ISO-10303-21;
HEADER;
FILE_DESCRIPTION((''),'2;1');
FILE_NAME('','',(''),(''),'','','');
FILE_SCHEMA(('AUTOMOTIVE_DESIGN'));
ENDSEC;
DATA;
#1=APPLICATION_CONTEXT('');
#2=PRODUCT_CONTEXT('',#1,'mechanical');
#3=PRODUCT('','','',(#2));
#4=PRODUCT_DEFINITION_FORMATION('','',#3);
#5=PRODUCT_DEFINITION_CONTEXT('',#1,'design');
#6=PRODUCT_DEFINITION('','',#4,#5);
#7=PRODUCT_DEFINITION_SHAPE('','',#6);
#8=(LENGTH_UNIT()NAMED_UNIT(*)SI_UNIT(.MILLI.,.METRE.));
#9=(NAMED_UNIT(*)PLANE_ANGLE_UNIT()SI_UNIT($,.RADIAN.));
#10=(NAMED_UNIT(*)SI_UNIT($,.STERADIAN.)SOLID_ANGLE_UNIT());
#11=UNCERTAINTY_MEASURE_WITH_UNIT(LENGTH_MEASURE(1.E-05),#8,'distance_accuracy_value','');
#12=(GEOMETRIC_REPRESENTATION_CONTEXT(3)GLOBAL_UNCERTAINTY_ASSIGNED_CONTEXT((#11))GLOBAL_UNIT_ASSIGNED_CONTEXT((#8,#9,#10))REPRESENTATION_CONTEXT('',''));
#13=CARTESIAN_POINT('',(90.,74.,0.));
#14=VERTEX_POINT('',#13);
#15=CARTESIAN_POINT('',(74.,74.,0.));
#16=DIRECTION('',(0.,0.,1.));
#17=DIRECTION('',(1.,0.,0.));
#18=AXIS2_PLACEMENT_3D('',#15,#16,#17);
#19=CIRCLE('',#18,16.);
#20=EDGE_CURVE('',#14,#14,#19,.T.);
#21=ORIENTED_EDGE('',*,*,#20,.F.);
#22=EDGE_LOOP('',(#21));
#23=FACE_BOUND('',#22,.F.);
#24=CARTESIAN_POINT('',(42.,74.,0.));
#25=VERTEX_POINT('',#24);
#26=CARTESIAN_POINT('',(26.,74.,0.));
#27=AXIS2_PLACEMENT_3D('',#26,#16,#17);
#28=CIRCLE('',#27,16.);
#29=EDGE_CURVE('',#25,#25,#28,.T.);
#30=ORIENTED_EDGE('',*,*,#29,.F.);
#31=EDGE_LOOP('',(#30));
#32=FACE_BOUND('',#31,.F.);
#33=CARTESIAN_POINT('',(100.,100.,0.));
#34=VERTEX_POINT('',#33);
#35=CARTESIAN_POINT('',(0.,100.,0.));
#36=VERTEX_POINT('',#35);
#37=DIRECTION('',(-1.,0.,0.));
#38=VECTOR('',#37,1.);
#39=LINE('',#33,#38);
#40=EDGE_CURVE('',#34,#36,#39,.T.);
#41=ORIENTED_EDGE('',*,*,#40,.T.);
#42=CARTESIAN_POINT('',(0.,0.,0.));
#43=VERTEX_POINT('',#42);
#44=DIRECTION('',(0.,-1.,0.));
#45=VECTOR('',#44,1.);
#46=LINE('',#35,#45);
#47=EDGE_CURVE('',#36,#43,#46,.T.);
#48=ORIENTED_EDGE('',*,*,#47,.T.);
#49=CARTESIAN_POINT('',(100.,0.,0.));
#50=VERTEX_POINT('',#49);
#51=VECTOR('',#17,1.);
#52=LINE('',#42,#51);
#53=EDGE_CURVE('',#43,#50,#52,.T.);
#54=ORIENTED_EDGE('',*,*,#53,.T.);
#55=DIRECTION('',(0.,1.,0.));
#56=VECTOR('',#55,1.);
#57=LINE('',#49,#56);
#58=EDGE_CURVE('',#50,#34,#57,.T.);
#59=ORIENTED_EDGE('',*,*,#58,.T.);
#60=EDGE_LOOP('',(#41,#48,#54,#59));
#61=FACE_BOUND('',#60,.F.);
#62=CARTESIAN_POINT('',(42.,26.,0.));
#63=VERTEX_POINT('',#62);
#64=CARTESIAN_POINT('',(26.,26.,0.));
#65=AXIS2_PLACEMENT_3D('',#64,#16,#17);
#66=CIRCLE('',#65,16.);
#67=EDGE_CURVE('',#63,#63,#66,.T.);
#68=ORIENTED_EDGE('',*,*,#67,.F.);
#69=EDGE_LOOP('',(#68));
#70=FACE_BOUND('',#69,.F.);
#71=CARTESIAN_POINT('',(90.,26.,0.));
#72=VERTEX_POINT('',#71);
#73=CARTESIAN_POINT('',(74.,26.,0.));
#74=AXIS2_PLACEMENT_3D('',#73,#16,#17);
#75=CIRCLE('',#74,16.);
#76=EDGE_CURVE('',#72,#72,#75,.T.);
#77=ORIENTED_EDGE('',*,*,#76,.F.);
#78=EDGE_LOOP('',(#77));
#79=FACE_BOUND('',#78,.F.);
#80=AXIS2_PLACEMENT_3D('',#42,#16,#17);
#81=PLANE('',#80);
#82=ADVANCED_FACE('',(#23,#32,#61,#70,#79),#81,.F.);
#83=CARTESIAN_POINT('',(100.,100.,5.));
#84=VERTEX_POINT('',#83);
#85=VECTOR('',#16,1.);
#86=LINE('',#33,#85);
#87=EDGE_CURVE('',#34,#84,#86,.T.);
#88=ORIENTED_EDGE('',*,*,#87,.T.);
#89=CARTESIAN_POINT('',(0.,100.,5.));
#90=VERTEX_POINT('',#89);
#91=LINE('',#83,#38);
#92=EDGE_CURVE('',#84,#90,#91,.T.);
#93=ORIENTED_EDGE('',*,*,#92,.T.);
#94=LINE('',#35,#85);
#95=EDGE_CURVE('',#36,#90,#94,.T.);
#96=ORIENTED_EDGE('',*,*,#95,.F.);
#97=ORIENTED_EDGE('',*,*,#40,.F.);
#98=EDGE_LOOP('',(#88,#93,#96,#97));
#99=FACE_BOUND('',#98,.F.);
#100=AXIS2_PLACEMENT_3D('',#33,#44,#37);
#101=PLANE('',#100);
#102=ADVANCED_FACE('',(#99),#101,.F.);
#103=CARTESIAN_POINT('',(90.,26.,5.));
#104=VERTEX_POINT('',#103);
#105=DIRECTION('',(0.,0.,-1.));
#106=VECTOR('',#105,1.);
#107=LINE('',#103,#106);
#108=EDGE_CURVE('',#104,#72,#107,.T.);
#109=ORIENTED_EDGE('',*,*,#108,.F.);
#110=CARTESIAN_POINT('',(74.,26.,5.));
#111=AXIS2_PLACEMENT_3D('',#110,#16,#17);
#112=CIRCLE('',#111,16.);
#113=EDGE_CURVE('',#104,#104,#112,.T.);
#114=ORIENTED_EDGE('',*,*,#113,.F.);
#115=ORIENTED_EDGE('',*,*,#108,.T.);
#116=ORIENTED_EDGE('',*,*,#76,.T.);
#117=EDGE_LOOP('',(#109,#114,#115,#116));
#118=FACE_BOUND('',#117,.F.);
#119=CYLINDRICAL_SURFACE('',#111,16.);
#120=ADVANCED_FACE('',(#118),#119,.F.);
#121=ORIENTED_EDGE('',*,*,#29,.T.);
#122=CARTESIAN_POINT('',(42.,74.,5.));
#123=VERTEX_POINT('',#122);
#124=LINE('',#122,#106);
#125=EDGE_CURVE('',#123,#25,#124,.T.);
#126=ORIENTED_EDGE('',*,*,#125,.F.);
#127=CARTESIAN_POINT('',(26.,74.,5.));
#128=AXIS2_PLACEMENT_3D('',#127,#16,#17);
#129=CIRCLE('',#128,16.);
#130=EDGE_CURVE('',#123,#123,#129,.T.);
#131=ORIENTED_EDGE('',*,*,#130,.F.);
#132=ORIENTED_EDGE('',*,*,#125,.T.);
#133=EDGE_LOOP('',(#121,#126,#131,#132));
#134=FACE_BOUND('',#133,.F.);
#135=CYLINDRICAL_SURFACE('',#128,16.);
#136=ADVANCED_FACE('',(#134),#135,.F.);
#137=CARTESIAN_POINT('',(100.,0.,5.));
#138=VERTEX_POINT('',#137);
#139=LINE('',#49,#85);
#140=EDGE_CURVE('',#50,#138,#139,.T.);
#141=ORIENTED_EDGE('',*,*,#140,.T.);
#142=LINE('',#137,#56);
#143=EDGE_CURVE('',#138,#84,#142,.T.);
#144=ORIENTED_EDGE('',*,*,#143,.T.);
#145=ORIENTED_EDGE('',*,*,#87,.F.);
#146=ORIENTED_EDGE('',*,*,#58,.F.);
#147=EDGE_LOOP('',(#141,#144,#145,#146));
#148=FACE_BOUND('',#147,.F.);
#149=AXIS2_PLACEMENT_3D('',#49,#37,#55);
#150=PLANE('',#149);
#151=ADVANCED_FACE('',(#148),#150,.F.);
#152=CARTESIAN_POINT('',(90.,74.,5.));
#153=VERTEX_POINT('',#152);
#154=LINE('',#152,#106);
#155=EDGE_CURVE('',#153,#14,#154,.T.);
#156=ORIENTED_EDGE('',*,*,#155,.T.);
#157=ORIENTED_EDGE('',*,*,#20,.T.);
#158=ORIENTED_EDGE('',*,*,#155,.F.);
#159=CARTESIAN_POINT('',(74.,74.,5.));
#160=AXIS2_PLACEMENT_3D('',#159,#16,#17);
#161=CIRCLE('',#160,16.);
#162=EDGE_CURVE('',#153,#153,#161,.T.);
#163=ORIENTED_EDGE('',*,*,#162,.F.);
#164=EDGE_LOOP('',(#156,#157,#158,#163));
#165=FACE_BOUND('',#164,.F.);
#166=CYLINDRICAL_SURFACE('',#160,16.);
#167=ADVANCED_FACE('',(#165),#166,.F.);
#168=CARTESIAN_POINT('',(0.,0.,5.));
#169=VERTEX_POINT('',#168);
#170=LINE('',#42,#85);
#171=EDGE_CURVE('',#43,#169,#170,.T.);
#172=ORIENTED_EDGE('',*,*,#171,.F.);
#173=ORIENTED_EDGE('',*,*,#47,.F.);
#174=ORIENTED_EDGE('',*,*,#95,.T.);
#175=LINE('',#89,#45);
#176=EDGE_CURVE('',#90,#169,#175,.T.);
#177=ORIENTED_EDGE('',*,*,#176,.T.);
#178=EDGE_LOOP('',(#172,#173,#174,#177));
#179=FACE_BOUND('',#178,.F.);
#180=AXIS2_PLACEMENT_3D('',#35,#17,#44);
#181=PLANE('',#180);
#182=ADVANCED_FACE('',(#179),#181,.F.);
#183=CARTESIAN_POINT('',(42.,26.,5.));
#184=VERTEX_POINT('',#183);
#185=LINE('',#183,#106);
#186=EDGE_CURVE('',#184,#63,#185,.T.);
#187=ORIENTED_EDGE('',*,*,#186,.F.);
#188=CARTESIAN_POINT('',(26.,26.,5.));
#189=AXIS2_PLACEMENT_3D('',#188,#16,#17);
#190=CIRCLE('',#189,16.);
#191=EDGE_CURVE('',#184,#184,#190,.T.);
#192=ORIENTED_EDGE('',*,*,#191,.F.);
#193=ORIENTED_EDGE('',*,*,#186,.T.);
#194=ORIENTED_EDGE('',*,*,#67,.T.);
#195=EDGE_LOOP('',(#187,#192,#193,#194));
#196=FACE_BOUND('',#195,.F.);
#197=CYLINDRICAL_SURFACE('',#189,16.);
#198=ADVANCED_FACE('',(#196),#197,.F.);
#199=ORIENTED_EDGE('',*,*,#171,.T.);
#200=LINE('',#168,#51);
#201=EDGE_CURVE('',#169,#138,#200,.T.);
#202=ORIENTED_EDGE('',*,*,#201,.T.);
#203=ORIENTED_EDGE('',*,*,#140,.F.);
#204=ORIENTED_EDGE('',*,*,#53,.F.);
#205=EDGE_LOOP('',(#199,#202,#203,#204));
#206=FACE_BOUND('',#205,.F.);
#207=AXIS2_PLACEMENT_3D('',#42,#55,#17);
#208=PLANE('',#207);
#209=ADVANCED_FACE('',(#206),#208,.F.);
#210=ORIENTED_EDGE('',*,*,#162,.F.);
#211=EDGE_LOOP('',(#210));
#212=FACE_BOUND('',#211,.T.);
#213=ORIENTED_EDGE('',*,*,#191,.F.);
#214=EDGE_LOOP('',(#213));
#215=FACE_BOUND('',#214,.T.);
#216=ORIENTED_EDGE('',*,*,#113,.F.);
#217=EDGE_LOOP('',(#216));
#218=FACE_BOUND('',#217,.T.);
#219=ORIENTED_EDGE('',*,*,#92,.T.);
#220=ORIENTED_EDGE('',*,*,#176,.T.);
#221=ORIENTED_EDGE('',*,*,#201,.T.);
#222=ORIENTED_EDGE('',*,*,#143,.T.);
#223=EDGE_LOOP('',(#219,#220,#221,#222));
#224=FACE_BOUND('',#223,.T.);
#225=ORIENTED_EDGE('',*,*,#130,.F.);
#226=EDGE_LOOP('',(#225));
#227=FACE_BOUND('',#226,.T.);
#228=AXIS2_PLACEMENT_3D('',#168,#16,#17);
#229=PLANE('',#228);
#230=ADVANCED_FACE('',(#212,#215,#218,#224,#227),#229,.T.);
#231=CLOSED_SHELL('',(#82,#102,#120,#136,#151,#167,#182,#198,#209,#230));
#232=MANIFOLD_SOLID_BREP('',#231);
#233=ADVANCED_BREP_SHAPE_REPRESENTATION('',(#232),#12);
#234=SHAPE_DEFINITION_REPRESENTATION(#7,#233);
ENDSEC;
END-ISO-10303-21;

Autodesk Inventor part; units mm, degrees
ref_plane "YZ Plane" through (0, 0, 0) normal (1, 0, 0) x (0, 1, 0)
ref_plane "XZ Plane" through (0, 0, 0) normal (0, 1, 0) x (-1, 0, 0)
ref_plane "XY Plane" through (0, 0, 0) normal (0, 0, 1) x (1, 0, 0)
sketch "Sketch1" plane through (0, 0, 0) normal (0, 0, 1) x (1, 0, 0)
  line L0 (0, 0) -> (100, 0)
  line L1 (100, 0) -> (100, 100)
  line L2 (100, 100) -> (0, 100)
  line L3 (0, 100) -> (0, 0)
  dimension "d0" = 100
  dimension "d1" = 100
extrude "Extrusion1" add sketch "Sketch1" along normal blind 5
sketch "Sketch2" plane through (0, 0, 5) normal (0, 0, 1) x (1, 0, 0)
  line L0 (100, 100) -> (0, 100) construction
  line L1 (0, 0) -> (100, 0) construction
  line L2 (100, 0) -> (100, 100) construction
  line L3 (0, 100) -> (0, 0) construction
  circle A0 centre (26, 74) radius 16
  circle A1 centre (74, 26) radius 16
  circle A2 centre (74, 74) radius 16
  circle A3 centre (26, 26) radius 16
  dimension "d4" = 32
  dimension "d5" = 32
  dimension "d6" = 32
  dimension "d7" = 32
  dimension "d15" = 26
  dimension "d16" = 26
  dimension "d17" = 26
  dimension "d18" = 26
  dimension "d19" = 26
  dimension "d20" = 26
  dimension "d21" = 26
  dimension "d22" = 26
  dimension "d23" = 48
  dimension "d24" = 48
  dimension "d25" = 48
  dimension "d26" = 48
extrude "Extrusion3" cut sketch "Sketch2" against normal blind 5
equation "\"d0\" = tankw"
equation "\"d1\" = sensorsupportl"
equation "\"d2\" = pvct"
equation "\"d4\" = diahcl"
equation "\"d5\" = diaph"
equation "\"d6\" = diacucl"
equation "\"d7\" = diaetape"
equation "\"d15\" = 0.5 * diahcl + 2 * pvct"
equation "\"d16\" = 0.5 * diahcl + 2 * pvct"
equation "\"d17\" = 0.5 * diacucl + 2 * pvct"
equation "\"d18\" = 0.5 * diacucl + 2 * pvct"
equation "\"d19\" = 0.5 * diaph + 2 * pvct"
equation "\"d20\" = 0.5 * diaph + 2 * pvct"
equation "\"d21\" = 0.5 * diaetape + 2 * pvct"
equation "\"d22\" = 0.5 * diaetape + 2 * pvct"
equation "\"d29\" = pvct"
equation "\"lcsd\" = 19.05"
equation "\"lcwd1\" = 25"
equation "\"lcwd2\" = 34"
equation "\"lch1\" = 39"
equation "\"lcwd3\" = 43"
equation "\"dia1\" = 6"
equation "\"td\" = 18"
equation "\"bhh\" = 6"
equation "\"sw\" = 25"
equation "\"sh\" = 31"
equation "\"spacert\" = 2"
equation "\"pvct\" = 5"
equation "\"tankw\" = 100"
equation "\"tankl\" = 379"
equation "\"dia3\" = 8"
equation "\"dia4\" = 11"
equation "\"play\" = 9"
equation "\"holeh\" = 26"
equation "\"surroundt\" = 5"
equation "\"slack\" = 0.5"
equation "\"play2\" = 3"
equation "\"diaoverflow\" = 25"
equation "\"diacucl\" = 32"
equation "\"diawater\" = 25"
equation "\"diaph\" = 32"
equation "\"diaair\" = 32"
equation "\"diasurroundhole\" = 42"
equation "\"sensorsupportl\" = 100"
equation "\"diagrate\" = 12"
equation "\"gratespacing\" = 12.02082"
equation "\"sidedist\" = 13.9375"
equation "\"bottomdist\" = 9.6355"
equation "\"diahcl\" = 32"
equation "\"bracketwtop\" = 6"
equation "\"bracketwbottom\" = 6"
equation "\"nett\" = 1"
equation "\"nethole\" = 16"
equation "\"netside\" = 3.5"
equation "\"nettop\" = 7"
equation "\"netholespacing\" = 2"
equation "\"diaetape\" = 32"
properties part number "tank_front" material "PVC-Piping"
